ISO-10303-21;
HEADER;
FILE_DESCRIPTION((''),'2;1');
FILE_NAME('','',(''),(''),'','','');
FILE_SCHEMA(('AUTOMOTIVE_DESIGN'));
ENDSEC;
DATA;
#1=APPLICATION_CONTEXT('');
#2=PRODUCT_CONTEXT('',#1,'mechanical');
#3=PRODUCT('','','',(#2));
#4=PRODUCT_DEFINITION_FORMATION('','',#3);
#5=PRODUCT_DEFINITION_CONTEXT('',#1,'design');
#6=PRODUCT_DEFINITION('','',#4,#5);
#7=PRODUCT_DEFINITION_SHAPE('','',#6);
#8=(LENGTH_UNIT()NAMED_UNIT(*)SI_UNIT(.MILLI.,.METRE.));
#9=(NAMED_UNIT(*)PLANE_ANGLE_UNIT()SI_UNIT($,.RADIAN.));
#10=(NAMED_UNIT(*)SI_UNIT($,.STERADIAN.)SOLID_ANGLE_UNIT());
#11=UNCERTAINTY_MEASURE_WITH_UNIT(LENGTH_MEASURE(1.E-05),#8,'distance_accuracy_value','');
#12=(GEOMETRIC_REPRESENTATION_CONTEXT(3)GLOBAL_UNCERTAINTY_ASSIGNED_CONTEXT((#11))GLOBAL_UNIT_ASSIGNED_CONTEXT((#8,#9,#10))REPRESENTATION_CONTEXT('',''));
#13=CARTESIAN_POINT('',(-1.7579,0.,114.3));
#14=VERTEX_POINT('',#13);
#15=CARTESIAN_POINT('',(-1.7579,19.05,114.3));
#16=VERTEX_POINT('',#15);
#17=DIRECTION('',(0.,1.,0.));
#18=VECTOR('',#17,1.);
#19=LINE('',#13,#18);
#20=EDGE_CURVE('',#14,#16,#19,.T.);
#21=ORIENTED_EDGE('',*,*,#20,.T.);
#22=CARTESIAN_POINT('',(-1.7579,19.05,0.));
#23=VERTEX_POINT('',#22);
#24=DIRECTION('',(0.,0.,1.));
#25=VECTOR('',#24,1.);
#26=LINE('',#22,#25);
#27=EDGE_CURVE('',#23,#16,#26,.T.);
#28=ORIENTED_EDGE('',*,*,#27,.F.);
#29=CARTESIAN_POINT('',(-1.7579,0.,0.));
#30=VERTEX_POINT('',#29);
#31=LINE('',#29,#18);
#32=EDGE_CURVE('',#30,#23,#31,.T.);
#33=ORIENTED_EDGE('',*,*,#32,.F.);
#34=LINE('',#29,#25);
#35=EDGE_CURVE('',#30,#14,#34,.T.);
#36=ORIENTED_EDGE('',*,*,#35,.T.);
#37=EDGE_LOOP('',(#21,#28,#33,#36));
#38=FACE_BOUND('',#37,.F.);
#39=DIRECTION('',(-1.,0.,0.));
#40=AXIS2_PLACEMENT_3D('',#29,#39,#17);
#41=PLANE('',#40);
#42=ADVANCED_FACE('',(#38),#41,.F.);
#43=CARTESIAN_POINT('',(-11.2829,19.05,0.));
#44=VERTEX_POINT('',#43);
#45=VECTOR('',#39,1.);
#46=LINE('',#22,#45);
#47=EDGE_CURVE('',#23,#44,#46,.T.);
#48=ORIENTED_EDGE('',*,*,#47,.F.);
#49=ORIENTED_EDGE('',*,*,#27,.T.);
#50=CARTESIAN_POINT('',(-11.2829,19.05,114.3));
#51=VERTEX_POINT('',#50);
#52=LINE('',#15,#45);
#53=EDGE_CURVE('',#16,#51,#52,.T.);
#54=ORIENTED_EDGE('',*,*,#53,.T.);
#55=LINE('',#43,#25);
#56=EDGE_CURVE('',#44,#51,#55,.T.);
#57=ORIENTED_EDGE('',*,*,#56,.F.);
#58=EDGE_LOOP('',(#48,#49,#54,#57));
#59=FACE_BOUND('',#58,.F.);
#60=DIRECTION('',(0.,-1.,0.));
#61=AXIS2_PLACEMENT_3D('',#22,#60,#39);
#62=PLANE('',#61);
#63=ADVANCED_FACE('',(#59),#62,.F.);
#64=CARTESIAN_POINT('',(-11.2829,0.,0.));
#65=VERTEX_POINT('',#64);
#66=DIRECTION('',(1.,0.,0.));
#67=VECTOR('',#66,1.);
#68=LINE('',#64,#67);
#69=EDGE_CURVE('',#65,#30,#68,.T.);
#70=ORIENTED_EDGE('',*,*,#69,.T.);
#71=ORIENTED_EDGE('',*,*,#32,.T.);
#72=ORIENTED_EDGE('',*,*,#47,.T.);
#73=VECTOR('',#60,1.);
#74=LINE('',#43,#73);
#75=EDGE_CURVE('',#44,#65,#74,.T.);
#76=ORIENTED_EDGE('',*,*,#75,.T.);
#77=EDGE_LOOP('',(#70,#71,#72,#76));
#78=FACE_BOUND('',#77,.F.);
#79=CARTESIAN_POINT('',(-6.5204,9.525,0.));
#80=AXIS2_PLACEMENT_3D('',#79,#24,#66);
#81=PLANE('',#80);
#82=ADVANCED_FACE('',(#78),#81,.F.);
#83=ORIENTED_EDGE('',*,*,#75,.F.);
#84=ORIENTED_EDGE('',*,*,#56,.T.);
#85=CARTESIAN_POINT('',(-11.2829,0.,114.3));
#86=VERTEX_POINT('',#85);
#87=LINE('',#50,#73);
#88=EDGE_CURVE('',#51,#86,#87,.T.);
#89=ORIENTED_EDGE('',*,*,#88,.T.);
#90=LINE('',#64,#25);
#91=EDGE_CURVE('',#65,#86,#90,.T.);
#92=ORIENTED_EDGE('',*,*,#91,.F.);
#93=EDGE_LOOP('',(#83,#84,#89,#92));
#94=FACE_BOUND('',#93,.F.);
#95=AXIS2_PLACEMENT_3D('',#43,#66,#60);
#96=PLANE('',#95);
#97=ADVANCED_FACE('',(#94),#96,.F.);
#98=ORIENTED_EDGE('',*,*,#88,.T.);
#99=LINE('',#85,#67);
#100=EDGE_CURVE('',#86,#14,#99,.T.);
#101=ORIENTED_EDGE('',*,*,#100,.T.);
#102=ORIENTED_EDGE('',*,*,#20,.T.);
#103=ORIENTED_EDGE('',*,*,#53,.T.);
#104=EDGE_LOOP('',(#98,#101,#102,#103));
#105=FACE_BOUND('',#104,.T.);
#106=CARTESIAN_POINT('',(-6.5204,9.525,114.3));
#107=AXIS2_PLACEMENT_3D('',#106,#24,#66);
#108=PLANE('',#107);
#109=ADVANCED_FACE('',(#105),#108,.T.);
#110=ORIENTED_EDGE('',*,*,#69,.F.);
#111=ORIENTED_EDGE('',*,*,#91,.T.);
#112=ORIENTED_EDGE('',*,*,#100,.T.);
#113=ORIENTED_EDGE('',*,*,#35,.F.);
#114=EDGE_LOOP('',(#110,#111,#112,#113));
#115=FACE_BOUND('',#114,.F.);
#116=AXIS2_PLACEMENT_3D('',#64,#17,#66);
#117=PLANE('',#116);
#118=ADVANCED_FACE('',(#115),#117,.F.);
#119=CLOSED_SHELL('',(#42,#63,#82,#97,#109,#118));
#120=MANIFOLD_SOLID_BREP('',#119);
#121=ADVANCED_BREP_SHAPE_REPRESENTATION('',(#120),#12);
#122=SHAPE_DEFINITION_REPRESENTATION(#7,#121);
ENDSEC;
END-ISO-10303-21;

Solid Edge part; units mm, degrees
sketch "Sketch1" plane through (0, 0, 0) normal (0, 0, 1) x (1, 0, 0)
  line L0 (-11.2829, 0) -> (-1.7579, 0)
  line L1 (-1.7579, 0) -> (-1.7579, 19.05)
  line L2 (-1.7579, 19.05) -> (-11.2829, 19.05)
  line L3 (-11.2829, 19.05) -> (-11.2829, 0)
  dimension "D1" = 19.05
  dimension "D2" = 9.525
extrude "Protrusion1" add sketch "Sketch1" along normal blind 114.3
properties part number "8694K82" material "(None)"
